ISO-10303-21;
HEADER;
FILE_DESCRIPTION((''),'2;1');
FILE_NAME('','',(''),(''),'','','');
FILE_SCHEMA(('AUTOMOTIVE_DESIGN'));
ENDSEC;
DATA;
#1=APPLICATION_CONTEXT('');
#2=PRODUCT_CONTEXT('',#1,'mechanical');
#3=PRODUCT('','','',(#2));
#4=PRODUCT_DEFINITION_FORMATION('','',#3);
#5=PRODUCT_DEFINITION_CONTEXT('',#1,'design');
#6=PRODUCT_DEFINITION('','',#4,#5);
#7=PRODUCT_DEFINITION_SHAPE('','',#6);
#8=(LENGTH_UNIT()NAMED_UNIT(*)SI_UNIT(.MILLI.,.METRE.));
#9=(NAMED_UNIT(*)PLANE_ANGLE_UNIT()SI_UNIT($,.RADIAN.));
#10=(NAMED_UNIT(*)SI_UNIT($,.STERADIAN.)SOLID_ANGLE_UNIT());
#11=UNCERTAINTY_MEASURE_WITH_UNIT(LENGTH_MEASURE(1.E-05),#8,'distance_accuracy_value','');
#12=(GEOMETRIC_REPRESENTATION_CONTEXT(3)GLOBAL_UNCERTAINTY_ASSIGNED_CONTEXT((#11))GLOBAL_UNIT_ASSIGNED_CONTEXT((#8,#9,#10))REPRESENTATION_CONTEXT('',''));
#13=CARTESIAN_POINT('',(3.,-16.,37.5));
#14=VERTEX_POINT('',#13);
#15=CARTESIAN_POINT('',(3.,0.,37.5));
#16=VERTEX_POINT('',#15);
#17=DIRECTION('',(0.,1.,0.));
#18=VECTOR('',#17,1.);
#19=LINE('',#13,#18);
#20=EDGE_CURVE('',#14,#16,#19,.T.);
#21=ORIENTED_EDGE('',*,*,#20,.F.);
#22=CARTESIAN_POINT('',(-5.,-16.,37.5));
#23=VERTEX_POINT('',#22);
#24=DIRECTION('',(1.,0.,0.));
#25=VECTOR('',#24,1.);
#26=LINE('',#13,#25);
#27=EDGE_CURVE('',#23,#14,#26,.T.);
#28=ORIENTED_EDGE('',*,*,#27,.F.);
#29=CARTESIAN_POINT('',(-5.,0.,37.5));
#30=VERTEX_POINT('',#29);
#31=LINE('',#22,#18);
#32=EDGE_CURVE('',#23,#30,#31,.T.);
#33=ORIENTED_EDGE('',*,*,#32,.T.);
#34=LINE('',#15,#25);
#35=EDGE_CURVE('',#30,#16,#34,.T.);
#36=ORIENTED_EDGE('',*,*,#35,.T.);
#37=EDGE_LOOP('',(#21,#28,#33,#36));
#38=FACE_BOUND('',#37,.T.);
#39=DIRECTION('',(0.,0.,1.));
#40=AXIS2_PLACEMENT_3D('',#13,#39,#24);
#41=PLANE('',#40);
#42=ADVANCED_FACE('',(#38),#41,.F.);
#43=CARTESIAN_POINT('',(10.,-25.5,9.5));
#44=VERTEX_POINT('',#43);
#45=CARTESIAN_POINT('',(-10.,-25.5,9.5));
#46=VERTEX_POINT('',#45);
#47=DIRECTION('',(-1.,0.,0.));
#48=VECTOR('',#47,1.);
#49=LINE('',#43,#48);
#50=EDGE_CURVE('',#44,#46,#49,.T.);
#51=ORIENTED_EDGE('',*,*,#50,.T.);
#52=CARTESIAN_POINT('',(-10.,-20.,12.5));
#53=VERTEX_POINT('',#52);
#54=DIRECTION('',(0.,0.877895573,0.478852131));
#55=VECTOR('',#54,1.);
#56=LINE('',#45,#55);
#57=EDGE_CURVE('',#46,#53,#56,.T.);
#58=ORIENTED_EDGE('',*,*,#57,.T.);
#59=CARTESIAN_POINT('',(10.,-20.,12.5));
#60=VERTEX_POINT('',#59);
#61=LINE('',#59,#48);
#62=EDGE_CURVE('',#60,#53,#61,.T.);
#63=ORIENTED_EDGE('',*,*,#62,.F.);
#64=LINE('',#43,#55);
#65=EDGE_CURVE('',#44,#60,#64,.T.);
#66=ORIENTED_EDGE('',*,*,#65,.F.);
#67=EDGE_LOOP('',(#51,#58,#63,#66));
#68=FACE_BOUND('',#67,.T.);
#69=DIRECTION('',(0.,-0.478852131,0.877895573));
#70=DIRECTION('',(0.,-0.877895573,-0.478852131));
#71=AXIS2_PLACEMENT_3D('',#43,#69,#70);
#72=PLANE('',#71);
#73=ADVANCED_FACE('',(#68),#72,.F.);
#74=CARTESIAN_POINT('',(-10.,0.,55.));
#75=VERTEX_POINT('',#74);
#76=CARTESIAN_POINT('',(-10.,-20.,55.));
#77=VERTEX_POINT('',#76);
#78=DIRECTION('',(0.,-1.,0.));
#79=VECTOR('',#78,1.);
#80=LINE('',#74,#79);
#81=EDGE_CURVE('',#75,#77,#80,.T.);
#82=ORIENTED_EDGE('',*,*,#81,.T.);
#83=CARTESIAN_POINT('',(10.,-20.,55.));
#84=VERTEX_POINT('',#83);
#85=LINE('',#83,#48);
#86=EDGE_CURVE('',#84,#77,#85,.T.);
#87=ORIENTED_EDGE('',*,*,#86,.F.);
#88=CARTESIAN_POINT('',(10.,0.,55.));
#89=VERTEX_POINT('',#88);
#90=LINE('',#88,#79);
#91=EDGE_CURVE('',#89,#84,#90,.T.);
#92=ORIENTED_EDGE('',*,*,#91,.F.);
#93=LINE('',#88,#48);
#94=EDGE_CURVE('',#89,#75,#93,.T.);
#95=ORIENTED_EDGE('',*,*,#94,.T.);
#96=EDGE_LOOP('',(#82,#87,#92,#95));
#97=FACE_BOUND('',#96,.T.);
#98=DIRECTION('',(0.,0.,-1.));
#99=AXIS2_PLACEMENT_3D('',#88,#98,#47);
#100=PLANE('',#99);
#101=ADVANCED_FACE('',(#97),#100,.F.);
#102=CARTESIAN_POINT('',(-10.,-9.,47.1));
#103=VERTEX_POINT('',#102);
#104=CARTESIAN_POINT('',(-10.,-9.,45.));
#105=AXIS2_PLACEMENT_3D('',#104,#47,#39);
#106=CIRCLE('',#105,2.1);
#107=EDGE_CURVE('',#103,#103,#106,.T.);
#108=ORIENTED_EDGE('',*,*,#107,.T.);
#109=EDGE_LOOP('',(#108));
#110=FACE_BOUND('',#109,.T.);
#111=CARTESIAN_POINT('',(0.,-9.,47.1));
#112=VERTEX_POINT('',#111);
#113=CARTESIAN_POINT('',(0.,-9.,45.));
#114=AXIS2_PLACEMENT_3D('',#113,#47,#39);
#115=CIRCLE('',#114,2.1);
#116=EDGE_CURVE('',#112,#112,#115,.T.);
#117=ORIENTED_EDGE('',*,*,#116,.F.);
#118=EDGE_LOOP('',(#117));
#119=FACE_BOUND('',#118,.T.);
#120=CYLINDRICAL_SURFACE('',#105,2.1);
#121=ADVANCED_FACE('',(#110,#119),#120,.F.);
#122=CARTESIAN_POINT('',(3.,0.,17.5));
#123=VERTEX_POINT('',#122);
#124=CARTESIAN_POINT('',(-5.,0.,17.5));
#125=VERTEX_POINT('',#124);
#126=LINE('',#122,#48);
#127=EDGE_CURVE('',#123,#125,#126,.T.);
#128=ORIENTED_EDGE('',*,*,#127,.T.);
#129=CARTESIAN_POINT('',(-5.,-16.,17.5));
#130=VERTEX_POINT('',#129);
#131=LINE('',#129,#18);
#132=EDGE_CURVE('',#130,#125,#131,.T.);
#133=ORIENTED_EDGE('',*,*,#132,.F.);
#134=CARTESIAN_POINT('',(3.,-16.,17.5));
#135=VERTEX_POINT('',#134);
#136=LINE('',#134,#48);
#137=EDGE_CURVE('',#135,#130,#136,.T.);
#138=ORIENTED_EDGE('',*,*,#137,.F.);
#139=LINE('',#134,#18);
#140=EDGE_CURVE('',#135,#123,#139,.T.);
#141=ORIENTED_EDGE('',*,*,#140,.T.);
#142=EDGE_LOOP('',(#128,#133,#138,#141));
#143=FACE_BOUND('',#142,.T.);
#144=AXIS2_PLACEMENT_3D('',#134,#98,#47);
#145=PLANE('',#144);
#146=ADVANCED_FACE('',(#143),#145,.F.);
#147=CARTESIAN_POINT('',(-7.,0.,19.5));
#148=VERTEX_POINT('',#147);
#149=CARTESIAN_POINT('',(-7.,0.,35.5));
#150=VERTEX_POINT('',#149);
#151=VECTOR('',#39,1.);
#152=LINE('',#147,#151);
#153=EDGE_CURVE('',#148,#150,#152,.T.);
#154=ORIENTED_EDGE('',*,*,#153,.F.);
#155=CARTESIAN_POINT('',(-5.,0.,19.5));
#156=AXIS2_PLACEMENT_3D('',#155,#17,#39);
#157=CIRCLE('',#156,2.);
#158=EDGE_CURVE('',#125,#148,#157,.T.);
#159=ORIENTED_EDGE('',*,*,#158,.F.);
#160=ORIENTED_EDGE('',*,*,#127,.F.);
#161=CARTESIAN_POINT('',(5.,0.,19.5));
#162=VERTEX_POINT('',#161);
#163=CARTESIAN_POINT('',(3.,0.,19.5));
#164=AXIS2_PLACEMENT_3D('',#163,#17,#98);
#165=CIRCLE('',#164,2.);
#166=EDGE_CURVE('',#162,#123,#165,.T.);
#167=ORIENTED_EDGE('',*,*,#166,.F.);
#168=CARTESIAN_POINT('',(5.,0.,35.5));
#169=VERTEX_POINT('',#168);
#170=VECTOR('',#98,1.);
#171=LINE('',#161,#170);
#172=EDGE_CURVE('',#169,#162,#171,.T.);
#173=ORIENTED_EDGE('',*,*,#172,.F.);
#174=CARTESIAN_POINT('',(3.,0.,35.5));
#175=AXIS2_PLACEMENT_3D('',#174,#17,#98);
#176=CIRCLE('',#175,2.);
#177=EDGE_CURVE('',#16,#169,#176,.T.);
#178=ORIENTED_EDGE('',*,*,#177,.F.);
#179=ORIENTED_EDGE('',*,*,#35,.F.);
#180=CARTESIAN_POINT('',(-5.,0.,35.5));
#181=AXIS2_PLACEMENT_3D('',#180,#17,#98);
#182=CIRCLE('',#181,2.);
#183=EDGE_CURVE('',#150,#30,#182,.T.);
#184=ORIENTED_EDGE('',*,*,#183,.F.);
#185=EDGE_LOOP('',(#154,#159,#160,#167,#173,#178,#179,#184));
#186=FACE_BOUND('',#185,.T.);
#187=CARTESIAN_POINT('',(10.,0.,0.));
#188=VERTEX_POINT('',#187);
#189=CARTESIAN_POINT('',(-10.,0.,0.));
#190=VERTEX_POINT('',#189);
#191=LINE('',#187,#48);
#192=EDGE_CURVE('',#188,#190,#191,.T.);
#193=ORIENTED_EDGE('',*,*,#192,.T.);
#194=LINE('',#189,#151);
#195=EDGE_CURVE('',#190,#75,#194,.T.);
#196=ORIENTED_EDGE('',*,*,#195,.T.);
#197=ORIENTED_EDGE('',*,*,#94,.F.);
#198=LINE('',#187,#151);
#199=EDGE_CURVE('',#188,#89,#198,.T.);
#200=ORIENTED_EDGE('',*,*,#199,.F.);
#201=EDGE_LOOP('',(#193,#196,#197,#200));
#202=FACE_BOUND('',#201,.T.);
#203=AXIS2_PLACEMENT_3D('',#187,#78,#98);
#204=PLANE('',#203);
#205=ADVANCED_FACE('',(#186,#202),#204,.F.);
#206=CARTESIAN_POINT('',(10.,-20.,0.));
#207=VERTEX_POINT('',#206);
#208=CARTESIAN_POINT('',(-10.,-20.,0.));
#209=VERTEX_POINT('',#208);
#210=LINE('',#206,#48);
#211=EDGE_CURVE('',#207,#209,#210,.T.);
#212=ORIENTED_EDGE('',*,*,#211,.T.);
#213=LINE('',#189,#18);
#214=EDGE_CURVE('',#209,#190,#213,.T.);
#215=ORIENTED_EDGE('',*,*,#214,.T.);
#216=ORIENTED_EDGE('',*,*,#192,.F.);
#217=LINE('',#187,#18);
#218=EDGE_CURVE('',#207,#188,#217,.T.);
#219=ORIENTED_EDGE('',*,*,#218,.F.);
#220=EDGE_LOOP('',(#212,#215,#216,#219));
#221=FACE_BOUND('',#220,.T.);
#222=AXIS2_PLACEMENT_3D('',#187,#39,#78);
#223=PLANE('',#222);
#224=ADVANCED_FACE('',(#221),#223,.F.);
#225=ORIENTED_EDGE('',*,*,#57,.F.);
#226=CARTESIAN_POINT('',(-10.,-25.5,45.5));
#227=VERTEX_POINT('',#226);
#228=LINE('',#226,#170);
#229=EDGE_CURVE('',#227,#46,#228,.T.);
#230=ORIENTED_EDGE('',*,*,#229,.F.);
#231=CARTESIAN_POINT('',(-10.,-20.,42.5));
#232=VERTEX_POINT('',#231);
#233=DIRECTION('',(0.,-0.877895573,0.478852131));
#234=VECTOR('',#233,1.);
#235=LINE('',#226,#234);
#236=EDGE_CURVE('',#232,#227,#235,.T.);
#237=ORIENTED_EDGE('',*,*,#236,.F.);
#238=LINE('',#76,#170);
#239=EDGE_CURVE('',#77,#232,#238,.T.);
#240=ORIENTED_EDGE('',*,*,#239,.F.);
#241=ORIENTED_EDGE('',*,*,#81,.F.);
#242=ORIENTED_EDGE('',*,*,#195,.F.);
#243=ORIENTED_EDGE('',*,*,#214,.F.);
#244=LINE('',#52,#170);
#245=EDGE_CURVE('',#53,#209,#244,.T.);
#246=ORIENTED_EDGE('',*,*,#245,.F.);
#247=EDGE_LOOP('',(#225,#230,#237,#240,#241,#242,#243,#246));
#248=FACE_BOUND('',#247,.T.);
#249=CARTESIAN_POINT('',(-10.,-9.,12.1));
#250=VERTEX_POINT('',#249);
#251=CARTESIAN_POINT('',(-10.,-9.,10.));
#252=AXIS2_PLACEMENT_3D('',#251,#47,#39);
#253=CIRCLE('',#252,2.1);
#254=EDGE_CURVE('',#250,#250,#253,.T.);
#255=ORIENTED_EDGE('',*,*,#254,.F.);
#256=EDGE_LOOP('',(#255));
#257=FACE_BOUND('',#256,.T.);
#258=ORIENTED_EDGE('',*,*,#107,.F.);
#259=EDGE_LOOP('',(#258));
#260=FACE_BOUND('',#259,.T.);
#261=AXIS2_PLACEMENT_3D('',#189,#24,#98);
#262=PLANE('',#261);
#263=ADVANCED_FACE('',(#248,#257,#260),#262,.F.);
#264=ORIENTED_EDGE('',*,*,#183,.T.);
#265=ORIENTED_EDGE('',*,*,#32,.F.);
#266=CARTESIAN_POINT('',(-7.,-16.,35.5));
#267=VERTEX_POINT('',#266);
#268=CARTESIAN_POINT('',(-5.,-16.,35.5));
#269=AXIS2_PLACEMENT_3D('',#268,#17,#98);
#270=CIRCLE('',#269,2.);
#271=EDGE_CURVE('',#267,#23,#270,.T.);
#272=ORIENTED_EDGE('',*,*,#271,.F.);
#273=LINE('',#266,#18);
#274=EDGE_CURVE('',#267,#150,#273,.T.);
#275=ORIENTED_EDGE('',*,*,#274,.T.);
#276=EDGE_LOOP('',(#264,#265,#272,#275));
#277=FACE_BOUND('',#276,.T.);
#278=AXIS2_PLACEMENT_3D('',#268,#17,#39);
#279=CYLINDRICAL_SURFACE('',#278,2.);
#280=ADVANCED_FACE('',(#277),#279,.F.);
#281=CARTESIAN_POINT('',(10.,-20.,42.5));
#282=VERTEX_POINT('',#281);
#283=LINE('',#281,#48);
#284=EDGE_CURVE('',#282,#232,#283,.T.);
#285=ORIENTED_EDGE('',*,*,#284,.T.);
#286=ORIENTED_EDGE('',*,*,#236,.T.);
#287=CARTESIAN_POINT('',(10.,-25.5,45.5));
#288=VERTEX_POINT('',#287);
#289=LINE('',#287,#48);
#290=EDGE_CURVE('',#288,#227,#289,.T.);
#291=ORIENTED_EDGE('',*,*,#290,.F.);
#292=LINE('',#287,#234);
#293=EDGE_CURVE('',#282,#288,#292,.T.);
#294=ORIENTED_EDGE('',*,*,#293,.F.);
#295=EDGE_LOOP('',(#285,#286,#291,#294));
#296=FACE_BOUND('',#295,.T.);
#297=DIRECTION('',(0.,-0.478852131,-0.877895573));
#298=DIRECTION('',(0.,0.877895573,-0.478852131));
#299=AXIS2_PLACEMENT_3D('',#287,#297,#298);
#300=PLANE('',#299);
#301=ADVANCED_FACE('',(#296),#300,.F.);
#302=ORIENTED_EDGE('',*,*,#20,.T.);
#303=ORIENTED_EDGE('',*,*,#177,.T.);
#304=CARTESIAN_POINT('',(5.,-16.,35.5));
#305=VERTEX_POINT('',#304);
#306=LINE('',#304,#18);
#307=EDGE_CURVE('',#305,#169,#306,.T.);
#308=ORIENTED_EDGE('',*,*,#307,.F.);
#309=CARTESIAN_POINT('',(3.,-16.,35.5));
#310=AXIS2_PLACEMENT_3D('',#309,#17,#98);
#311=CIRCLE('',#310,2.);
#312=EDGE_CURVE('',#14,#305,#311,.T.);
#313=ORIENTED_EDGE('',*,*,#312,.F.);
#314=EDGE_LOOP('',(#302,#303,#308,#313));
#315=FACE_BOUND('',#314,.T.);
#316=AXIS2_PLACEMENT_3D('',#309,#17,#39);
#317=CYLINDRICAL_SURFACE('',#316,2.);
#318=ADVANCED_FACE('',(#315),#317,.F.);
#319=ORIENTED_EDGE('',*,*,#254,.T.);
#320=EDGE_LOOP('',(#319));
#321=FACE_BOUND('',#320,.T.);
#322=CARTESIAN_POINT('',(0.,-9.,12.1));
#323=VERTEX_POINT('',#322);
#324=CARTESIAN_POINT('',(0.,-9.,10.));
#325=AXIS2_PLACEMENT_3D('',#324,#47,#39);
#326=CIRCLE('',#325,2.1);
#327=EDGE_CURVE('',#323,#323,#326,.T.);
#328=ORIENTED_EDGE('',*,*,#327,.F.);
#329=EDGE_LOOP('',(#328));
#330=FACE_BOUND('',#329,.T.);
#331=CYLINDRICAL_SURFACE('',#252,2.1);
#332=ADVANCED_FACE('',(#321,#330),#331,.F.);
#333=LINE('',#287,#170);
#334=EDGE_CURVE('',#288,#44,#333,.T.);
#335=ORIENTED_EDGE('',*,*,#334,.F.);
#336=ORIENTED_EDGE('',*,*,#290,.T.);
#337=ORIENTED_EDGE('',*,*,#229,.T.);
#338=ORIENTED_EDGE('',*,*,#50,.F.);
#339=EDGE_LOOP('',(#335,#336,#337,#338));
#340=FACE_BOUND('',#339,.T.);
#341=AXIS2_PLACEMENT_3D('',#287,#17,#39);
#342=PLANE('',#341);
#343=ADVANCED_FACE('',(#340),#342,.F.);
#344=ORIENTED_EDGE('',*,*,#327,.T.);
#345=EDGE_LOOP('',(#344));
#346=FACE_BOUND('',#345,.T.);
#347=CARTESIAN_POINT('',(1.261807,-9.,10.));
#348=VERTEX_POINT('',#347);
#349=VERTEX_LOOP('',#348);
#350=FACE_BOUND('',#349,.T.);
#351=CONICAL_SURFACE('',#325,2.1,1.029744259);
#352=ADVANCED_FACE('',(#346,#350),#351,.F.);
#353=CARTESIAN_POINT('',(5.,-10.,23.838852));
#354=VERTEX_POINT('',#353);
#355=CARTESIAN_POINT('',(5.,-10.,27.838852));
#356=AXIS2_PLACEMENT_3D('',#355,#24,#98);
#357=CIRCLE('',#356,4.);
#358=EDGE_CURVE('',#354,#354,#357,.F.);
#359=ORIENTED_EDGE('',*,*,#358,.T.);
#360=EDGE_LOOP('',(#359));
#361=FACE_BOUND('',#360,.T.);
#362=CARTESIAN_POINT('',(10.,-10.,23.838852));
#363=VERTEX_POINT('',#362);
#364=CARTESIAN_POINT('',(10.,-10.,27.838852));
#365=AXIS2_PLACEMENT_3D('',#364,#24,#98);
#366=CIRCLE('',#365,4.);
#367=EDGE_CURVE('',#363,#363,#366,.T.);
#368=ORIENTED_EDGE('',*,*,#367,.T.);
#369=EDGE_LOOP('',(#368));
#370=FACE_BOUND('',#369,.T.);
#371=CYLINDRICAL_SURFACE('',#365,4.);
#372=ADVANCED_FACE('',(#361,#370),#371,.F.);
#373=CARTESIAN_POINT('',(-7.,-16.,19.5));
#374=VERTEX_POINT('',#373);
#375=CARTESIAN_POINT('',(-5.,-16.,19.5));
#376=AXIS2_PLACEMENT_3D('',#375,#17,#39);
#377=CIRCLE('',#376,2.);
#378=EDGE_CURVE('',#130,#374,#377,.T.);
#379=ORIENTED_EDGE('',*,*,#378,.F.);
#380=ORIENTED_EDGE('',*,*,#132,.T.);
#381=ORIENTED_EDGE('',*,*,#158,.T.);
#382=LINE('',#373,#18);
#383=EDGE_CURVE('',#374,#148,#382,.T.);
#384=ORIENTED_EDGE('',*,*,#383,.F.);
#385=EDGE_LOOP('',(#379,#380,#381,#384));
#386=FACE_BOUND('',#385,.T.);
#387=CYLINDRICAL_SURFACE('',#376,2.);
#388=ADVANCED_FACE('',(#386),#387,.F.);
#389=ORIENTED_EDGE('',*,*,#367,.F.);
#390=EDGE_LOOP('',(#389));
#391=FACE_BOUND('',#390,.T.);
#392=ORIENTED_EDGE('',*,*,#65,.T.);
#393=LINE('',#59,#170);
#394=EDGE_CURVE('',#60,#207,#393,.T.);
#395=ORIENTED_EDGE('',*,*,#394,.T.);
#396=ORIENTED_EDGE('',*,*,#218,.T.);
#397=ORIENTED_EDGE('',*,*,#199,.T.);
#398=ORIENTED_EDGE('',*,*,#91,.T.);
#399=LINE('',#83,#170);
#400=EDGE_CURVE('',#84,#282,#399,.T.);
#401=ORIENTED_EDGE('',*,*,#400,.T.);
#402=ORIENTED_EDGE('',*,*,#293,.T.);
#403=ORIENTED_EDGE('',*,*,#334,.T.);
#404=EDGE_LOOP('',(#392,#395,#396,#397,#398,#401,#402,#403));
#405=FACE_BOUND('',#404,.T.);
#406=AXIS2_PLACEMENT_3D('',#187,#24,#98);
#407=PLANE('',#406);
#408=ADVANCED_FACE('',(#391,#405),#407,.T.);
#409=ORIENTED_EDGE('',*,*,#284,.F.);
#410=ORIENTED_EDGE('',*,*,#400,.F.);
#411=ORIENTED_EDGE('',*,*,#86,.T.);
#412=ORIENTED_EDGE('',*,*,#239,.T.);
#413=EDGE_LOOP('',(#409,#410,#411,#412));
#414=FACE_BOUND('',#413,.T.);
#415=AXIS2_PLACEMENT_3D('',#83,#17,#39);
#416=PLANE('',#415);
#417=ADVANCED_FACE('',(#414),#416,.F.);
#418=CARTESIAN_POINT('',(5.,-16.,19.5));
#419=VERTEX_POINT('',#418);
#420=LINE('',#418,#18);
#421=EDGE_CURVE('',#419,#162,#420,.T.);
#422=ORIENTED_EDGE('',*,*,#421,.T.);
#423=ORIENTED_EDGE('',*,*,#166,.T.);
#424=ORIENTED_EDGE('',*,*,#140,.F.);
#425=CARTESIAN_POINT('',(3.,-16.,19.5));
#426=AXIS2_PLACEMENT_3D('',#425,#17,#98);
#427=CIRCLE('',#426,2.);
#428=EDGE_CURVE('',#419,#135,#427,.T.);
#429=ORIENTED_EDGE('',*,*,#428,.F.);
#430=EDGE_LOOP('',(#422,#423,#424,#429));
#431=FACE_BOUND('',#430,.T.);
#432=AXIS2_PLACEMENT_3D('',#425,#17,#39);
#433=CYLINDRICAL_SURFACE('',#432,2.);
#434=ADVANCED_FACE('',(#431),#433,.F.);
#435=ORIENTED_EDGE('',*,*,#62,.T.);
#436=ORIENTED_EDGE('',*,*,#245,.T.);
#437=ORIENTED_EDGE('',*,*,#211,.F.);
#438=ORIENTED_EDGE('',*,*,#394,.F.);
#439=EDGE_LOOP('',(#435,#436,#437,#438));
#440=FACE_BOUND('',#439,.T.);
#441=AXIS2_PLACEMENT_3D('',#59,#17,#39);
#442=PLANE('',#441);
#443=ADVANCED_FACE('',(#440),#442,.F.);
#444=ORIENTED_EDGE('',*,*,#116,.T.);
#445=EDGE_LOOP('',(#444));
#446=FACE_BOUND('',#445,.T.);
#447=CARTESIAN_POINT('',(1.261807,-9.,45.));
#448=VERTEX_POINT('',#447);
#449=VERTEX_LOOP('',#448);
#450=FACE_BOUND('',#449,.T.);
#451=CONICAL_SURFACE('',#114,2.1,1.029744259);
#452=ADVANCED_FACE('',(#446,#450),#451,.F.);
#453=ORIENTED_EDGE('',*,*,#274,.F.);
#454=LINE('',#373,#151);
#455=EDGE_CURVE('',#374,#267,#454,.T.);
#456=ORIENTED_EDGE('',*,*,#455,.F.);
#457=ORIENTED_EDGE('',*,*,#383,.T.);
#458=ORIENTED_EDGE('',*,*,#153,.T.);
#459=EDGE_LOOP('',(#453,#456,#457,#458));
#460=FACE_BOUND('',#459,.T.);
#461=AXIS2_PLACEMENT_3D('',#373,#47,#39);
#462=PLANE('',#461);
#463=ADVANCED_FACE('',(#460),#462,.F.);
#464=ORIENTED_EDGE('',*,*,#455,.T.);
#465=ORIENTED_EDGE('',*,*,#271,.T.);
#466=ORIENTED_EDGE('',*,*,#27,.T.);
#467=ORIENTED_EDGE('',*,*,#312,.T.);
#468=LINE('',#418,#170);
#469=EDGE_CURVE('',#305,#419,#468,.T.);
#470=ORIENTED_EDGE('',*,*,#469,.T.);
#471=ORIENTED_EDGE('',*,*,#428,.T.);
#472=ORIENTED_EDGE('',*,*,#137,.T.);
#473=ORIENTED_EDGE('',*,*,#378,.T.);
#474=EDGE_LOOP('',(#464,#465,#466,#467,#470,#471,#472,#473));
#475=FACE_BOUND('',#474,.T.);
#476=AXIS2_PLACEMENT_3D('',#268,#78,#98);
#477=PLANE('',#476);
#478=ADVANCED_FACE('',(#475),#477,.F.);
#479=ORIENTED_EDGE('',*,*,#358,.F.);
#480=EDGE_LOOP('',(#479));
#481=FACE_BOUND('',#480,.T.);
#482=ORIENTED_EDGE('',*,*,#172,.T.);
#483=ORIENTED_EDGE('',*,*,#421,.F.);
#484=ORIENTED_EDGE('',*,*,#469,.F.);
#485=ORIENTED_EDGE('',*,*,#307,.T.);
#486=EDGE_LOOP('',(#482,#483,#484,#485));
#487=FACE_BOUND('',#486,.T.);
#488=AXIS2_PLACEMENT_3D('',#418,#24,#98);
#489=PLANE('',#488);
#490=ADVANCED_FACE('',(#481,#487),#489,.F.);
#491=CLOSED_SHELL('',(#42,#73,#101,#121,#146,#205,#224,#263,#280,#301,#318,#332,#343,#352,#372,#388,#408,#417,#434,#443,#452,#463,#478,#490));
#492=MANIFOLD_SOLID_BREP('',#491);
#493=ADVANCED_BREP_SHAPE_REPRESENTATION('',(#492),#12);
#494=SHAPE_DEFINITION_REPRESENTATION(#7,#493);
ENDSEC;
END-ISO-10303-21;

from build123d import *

# Parameters (mm, degrees)
BOSS_EXTRUDE1_DEPTH             = 10
F_8_0MM_DOWEL_HOLE2_D           = 8
F_8_0MM_DOWEL_HOLE2_DEPTH       = 5
TAP_DRILL_FOR_M5X0_8_TAP1_D     = 4.2
TAP_DRILL_FOR_M5X0_8_TAP1_DEPTH = 10
TAP_DRILL_FOR_M5X0_8_TAP1_TIP   = 1.2618073
SKETCH7_OUTSIDE_W               = 34.768
SKETCH7_OUTSIDE_H               = 69.768
SKETCH7_OUTSIDE_W_2             = 20
SKETCH7_OUTSIDE_H_2             = 55
CUT_EXTRUDE1_DEPTH              = 16


with BuildPart() as part:
    # Sketch1 → Boss-Extrude1 (new body, symmetric)
    with BuildSketch(Plane(origin=(0, 0, 0), x_dir=(0, 0, -1), z_dir=(1, 0, 0))):
        Polygon((-55, -20), (-42.5, -20), (-45.5, -25.5), (-9.5, -25.5), (-12.5, -20), (0, -20), (0, 0), (-55, 0), align=None)
    extrude(amount=BOSS_EXTRUDE1_DEPTH, both=True)

    # Ø8.0mm Dowel Hole2
    with Locations(Plane(origin=(10, -10, 27.838852212), x_dir=(0, 0, 1), z_dir=(1, 0, 0))):
        with Locations((0, 0)):
            Hole(F_8_0MM_DOWEL_HOLE2_D / 2, depth=F_8_0MM_DOWEL_HOLE2_DEPTH)

    # Tap Drill for M5x0.8 Tap1
    with Locations(Plane(origin=(-10, -9, 10), x_dir=(0, 0, -1), z_dir=(-1, 0, 0))):
        with Locations((0, 0), (-35, 0)):
            Hole(TAP_DRILL_FOR_M5X0_8_TAP1_D / 2, depth=TAP_DRILL_FOR_M5X0_8_TAP1_DEPTH)
            with Locations((0, 0, -(TAP_DRILL_FOR_M5X0_8_TAP1_DEPTH + TAP_DRILL_FOR_M5X0_8_TAP1_TIP / 2))):  # 118° drill point
                Cone(0, TAP_DRILL_FOR_M5X0_8_TAP1_D / 2, TAP_DRILL_FOR_M5X0_8_TAP1_TIP, mode=Mode.SUBTRACT)

    # Sketch7 outside → Cut-Extrude1 (cut)
    with BuildSketch(Plane(origin=(0, 0, 0), x_dir=(1, 0, 0), z_dir=(0, 1, 0))):
        with Locations((0, -27.5)):
            Rectangle(SKETCH7_OUTSIDE_W, SKETCH7_OUTSIDE_H)
        with Locations((0, -27.5)):
            Rectangle(SKETCH7_OUTSIDE_W_2, SKETCH7_OUTSIDE_H_2, mode=Mode.SUBTRACT)
        with BuildLine():
            Line((3, -17.5), (-5, -17.5))
            ThreePointArc((-5, -17.5), (-6.414213562, -18.085786438), (-7, -19.5))
            Line((-7, -19.5), (-7, -35.5))
            ThreePointArc((-7, -35.5), (-6.414213562, -36.914213562), (-5, -37.5))
            Line((-5, -37.5), (3, -37.5))
            ThreePointArc((3, -37.5), (4.414213562, -36.914213562), (5, -35.5))
            Line((5, -35.5), (5, -19.5))
            ThreePointArc((5, -19.5), (4.414213562, -18.085786438), (3, -17.5))
        make_face()
    extrude(amount=-CUT_EXTRUDE1_DEPTH, mode=Mode.SUBTRACT)


solid = part.part
